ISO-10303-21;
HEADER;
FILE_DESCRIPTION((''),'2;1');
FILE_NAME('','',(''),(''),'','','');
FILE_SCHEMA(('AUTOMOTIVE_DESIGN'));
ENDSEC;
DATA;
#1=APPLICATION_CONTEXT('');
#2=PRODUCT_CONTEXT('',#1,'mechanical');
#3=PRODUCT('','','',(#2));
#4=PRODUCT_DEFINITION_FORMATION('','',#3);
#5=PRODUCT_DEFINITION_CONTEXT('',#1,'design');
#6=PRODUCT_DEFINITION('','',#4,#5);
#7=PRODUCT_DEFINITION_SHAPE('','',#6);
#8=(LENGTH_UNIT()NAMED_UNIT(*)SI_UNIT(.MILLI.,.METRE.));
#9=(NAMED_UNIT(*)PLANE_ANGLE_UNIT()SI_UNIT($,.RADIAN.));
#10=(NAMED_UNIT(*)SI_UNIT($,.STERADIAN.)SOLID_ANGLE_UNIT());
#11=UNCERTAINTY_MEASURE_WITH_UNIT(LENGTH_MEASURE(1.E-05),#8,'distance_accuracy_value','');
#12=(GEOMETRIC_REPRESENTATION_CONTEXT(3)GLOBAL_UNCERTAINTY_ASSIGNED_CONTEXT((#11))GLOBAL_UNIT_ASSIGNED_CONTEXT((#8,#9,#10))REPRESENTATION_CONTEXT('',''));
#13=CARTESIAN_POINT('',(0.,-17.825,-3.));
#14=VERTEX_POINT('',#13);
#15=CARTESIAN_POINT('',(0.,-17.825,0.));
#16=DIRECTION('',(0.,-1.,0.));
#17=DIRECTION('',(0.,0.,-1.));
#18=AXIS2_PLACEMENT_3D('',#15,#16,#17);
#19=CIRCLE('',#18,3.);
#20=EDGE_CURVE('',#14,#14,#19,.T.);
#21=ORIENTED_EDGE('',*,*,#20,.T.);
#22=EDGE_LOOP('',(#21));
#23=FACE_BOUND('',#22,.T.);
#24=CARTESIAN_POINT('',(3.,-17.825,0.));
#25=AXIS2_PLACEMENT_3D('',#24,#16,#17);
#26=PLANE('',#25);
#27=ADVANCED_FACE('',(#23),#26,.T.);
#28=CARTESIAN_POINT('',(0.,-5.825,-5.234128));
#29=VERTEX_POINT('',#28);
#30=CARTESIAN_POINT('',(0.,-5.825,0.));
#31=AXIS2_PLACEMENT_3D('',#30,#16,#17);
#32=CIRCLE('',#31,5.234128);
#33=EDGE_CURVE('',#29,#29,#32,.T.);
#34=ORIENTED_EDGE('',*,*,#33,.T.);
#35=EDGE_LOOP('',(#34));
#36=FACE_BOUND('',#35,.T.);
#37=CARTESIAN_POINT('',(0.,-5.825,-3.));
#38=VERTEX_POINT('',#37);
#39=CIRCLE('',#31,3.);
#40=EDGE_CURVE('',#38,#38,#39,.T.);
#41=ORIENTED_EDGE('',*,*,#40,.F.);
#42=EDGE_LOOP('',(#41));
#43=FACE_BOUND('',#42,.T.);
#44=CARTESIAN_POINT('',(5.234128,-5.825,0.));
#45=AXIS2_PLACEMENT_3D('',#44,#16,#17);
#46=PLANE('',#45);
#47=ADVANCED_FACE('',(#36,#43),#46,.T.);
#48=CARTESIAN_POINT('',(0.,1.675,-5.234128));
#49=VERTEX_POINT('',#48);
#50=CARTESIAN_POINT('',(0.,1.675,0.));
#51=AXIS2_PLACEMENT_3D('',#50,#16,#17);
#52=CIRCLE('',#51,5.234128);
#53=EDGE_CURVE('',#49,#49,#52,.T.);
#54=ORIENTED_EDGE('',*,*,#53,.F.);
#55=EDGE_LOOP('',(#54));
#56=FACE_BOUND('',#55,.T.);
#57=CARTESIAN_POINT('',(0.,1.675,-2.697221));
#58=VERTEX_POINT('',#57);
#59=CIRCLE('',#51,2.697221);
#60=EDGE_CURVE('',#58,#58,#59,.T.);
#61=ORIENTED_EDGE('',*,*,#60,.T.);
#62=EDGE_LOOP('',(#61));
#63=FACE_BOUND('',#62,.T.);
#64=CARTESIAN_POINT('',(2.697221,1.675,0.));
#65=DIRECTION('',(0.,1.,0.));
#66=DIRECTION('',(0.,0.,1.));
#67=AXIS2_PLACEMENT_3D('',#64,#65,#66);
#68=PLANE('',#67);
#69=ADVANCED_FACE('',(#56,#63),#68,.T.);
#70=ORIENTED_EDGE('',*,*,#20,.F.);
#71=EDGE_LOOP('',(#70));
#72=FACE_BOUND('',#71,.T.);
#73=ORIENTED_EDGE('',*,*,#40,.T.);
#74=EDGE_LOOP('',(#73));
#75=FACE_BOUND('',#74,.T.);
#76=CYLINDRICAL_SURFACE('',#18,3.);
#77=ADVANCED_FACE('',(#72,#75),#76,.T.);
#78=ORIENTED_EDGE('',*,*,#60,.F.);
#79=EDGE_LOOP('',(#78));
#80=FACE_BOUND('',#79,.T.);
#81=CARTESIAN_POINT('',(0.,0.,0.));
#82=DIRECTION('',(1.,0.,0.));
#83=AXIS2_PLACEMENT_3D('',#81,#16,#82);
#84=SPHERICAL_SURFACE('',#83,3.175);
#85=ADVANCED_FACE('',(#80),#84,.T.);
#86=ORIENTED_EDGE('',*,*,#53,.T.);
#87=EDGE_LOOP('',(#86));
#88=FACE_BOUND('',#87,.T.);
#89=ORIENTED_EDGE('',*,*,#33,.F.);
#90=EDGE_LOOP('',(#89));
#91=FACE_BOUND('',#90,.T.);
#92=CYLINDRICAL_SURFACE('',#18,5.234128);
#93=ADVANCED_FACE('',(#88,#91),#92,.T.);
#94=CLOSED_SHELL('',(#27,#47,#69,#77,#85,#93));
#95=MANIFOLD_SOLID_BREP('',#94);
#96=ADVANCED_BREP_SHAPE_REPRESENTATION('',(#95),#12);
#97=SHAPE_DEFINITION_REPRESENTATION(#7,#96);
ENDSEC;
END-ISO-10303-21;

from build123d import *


with BuildPart() as part:
    # 草图1 → 旋转1 (revolve)
    with BuildSketch(Plane.XY, mode=Mode.PRIVATE) as revolve_1_sk:
        with BuildLine():
            Line((2.697220792, 1.675), (5.234128272, 1.675))
            Line((5.234128272, 1.675), (5.234128272, -5.825))
            Line((5.234128272, -5.825), (3, -5.825))
            Line((3, -5.825), (3, -17.825))
            Line((3, -17.825), (0, -17.825))
            Line((0, -17.825), (0, 3.175))
            ThreePointArc((0, 3.175), (1.543129936, 2.774774766), (2.697220792, 1.675))
        make_face()
    revolve(revolve_1_sk.sketch.rotate(Axis((0, -17.825, 0), (0, 1, 0)), 90), axis=Axis((0, -17.825, 0), (0, 1, 0)))


solid = part.part
